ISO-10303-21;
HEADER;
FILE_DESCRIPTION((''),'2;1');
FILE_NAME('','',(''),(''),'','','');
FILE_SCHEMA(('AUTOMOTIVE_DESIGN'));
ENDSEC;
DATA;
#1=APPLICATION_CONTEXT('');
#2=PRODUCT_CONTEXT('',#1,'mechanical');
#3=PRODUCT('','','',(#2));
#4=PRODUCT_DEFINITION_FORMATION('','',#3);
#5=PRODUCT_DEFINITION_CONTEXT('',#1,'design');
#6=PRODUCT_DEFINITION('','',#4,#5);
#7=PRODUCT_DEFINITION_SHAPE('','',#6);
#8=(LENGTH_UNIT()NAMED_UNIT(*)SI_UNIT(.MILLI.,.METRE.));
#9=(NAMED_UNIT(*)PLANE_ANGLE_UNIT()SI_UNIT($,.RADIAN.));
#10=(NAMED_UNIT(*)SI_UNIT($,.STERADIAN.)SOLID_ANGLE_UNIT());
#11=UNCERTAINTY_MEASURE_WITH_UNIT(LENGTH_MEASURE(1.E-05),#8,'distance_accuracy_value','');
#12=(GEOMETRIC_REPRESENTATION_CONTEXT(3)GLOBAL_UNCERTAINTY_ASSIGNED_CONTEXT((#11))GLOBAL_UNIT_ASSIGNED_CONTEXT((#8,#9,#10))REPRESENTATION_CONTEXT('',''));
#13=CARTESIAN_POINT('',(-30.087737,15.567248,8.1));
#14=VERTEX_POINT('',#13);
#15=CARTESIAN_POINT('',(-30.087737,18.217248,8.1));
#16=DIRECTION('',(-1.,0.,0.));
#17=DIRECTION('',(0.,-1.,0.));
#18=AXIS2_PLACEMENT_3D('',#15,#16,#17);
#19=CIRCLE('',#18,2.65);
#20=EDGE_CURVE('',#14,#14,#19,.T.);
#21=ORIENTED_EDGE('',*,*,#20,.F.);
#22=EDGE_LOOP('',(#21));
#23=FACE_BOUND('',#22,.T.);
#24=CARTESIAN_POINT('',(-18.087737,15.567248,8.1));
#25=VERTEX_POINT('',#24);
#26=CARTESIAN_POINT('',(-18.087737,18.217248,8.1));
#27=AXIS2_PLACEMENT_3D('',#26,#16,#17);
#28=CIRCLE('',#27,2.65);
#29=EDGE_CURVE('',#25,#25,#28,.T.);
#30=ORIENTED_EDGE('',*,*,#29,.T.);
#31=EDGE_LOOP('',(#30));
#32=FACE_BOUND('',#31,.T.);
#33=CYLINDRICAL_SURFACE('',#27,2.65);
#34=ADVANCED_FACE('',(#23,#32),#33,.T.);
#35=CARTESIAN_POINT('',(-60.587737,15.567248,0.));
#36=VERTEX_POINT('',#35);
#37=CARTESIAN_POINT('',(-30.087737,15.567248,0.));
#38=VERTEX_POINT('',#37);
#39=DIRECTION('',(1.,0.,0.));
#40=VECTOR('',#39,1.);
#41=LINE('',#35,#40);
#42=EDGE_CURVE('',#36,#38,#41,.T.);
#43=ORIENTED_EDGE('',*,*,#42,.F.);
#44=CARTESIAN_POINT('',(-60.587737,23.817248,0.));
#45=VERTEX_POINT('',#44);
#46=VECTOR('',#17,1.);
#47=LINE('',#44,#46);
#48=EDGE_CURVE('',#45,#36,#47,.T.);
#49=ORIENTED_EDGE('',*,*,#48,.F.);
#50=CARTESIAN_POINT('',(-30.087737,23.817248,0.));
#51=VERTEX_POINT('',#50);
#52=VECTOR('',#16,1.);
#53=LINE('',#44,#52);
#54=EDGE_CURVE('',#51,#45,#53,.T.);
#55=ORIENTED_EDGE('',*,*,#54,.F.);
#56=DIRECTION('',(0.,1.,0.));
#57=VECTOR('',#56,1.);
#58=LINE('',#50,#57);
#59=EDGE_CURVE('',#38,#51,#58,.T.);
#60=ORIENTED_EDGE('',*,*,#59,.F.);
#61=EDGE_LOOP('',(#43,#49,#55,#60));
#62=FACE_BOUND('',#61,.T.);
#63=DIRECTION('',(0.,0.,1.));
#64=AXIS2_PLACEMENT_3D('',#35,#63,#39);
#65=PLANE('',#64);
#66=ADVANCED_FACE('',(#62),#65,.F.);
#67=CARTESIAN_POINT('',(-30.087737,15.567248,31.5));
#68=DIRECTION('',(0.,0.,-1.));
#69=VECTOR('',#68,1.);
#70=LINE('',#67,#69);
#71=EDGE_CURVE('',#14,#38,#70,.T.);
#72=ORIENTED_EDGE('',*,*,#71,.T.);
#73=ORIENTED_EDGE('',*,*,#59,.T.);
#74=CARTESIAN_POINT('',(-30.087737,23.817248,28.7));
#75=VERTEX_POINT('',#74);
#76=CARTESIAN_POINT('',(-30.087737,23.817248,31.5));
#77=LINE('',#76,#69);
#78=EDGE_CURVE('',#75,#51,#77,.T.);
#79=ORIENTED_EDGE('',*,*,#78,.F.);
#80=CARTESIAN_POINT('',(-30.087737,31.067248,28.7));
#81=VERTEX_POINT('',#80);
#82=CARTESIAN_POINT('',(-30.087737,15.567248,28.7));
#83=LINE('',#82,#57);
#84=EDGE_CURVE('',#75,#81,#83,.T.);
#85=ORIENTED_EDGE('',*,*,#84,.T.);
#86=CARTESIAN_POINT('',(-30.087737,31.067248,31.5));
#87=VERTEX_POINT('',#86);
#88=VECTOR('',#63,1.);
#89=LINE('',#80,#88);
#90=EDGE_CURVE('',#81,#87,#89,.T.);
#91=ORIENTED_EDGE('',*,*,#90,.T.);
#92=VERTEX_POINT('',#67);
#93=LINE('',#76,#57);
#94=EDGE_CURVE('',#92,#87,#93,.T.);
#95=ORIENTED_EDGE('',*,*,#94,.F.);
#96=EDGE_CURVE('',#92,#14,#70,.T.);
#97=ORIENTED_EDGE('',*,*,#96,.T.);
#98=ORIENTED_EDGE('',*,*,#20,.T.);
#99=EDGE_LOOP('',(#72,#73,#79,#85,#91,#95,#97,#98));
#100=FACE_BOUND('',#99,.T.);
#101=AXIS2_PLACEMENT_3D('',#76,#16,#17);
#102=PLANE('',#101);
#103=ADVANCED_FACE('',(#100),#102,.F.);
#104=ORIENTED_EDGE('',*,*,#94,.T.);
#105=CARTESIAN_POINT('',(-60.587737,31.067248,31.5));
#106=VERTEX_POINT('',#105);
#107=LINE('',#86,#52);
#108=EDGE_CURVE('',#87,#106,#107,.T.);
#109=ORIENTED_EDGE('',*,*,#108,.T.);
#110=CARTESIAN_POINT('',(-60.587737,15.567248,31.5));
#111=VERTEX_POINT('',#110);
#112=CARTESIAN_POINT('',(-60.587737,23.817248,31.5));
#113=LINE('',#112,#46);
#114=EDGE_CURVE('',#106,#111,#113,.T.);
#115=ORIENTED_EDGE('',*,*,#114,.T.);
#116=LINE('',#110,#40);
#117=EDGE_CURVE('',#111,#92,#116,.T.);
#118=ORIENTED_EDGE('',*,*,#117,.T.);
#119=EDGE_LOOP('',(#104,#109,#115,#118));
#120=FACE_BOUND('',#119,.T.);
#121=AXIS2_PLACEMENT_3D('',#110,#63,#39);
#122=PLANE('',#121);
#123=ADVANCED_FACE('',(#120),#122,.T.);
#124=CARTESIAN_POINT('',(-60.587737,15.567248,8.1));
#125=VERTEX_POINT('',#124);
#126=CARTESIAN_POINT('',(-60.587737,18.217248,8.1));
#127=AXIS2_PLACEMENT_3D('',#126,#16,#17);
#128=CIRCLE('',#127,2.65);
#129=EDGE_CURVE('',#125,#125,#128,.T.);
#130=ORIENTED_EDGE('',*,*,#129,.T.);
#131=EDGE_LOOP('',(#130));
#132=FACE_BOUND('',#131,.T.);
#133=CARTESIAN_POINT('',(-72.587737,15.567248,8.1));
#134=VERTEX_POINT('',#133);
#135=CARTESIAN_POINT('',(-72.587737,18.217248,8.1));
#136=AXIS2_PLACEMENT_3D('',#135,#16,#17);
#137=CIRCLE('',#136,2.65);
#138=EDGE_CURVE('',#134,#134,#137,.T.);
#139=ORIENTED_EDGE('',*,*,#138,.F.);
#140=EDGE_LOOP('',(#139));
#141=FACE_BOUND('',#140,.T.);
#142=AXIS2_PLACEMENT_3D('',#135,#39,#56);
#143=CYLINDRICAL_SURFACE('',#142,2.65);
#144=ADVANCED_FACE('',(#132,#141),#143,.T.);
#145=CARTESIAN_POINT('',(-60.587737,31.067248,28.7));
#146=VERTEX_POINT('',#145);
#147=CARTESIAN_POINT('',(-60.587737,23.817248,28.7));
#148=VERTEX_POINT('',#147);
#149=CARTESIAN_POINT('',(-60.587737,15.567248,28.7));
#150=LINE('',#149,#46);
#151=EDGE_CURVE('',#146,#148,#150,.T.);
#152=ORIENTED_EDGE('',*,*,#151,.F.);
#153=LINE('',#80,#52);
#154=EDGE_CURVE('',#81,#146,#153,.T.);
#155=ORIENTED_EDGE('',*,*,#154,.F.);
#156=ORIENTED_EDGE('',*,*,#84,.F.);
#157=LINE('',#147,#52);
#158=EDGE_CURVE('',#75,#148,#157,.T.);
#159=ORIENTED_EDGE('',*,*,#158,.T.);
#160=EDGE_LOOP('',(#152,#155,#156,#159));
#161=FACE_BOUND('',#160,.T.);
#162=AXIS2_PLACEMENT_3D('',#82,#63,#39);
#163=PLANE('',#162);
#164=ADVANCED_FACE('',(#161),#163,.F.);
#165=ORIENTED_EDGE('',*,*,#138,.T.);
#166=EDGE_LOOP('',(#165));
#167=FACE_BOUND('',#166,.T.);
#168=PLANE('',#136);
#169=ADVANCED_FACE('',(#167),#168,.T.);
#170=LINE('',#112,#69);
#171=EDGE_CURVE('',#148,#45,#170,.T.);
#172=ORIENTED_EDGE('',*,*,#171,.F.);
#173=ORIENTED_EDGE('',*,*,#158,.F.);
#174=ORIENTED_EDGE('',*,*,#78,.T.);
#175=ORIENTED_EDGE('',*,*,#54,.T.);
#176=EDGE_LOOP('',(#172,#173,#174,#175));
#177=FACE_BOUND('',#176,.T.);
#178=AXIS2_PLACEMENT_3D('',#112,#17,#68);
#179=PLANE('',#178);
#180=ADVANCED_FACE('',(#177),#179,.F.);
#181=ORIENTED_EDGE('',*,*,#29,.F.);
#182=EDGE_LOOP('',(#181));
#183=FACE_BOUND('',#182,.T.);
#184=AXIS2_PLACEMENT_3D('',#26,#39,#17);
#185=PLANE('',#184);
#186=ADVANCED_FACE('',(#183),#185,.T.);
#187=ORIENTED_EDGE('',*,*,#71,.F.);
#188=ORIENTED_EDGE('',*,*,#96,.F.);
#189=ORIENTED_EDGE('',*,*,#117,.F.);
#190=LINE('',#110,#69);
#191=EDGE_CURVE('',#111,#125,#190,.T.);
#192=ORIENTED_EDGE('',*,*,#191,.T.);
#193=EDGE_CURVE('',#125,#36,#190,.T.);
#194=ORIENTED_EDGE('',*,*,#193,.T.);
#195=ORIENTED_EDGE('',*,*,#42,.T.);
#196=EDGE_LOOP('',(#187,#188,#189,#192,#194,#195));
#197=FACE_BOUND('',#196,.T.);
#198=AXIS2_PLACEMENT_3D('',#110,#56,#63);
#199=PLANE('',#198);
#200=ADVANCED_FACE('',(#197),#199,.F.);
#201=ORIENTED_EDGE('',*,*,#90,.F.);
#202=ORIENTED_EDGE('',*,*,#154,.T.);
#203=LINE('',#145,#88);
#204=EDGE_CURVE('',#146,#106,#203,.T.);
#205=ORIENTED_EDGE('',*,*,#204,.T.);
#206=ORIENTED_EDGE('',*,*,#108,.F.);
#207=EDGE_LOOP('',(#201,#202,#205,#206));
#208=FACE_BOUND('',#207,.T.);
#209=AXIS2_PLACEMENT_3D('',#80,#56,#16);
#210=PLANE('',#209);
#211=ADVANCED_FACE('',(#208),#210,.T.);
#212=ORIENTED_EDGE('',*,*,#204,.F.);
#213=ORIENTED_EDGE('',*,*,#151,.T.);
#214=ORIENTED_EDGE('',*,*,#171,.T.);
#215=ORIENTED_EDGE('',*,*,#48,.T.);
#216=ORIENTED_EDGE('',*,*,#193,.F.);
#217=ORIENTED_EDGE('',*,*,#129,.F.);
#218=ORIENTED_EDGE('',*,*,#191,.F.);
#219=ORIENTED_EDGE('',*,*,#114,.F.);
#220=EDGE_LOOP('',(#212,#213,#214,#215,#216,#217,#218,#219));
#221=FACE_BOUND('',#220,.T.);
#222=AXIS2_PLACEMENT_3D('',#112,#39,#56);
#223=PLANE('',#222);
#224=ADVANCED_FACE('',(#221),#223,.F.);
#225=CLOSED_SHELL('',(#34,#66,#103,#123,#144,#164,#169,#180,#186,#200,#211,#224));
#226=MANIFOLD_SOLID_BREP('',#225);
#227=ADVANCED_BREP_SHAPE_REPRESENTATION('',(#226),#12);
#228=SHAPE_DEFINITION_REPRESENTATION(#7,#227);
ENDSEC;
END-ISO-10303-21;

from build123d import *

# Parameters (mm, degrees)
ESQUISSE2_W          = 30.5
ESQUISSE2_H          = 8.25
BASE_EXTRUSION_DEPTH = 31.5
ESQUISSE3_W          = 30.5
ESQUISSE3_H          = 15.5
BOSS_EXTRU_2_DEPTH   = 2.8
ESQUISSE4_R          = 2.65
BOSS_EXTRU_3_DEPTH   = 12


with BuildPart() as part:
    # Esquisse2 → Base-Extrusion (new body)
    with BuildSketch(Plane.XY):
        with Locations((-45.33773679, 19.692248255)):
            Rectangle(ESQUISSE2_W, ESQUISSE2_H)
    extrude(amount=BASE_EXTRUSION_DEPTH)

    # Esquisse3 → Boss.-Extru.2 (add)
    with BuildSketch(Plane.XY.offset(31.5)):
        with Locations((-45.33773679, 23.317248255)):
            Rectangle(ESQUISSE3_W, ESQUISSE3_H)
    extrude(amount=-BOSS_EXTRU_2_DEPTH)

    # Esquisse4 → Boss.-Extru.3 (add)
    with BuildSketch(Plane.ZY.offset(60.58773679)):
        with Locations(Location((8.1, 18.217248255, 0), (0, 0, 270))):
            Circle(ESQUISSE4_R)
    boss_extru_3 = extrude(amount=BOSS_EXTRU_3_DEPTH)

    # Symétrie1: Boss.-Extru.3 across plane
    add(boss_extru_3.mirror(Plane.ZY.offset(45.33773679)))


solid = part.part
